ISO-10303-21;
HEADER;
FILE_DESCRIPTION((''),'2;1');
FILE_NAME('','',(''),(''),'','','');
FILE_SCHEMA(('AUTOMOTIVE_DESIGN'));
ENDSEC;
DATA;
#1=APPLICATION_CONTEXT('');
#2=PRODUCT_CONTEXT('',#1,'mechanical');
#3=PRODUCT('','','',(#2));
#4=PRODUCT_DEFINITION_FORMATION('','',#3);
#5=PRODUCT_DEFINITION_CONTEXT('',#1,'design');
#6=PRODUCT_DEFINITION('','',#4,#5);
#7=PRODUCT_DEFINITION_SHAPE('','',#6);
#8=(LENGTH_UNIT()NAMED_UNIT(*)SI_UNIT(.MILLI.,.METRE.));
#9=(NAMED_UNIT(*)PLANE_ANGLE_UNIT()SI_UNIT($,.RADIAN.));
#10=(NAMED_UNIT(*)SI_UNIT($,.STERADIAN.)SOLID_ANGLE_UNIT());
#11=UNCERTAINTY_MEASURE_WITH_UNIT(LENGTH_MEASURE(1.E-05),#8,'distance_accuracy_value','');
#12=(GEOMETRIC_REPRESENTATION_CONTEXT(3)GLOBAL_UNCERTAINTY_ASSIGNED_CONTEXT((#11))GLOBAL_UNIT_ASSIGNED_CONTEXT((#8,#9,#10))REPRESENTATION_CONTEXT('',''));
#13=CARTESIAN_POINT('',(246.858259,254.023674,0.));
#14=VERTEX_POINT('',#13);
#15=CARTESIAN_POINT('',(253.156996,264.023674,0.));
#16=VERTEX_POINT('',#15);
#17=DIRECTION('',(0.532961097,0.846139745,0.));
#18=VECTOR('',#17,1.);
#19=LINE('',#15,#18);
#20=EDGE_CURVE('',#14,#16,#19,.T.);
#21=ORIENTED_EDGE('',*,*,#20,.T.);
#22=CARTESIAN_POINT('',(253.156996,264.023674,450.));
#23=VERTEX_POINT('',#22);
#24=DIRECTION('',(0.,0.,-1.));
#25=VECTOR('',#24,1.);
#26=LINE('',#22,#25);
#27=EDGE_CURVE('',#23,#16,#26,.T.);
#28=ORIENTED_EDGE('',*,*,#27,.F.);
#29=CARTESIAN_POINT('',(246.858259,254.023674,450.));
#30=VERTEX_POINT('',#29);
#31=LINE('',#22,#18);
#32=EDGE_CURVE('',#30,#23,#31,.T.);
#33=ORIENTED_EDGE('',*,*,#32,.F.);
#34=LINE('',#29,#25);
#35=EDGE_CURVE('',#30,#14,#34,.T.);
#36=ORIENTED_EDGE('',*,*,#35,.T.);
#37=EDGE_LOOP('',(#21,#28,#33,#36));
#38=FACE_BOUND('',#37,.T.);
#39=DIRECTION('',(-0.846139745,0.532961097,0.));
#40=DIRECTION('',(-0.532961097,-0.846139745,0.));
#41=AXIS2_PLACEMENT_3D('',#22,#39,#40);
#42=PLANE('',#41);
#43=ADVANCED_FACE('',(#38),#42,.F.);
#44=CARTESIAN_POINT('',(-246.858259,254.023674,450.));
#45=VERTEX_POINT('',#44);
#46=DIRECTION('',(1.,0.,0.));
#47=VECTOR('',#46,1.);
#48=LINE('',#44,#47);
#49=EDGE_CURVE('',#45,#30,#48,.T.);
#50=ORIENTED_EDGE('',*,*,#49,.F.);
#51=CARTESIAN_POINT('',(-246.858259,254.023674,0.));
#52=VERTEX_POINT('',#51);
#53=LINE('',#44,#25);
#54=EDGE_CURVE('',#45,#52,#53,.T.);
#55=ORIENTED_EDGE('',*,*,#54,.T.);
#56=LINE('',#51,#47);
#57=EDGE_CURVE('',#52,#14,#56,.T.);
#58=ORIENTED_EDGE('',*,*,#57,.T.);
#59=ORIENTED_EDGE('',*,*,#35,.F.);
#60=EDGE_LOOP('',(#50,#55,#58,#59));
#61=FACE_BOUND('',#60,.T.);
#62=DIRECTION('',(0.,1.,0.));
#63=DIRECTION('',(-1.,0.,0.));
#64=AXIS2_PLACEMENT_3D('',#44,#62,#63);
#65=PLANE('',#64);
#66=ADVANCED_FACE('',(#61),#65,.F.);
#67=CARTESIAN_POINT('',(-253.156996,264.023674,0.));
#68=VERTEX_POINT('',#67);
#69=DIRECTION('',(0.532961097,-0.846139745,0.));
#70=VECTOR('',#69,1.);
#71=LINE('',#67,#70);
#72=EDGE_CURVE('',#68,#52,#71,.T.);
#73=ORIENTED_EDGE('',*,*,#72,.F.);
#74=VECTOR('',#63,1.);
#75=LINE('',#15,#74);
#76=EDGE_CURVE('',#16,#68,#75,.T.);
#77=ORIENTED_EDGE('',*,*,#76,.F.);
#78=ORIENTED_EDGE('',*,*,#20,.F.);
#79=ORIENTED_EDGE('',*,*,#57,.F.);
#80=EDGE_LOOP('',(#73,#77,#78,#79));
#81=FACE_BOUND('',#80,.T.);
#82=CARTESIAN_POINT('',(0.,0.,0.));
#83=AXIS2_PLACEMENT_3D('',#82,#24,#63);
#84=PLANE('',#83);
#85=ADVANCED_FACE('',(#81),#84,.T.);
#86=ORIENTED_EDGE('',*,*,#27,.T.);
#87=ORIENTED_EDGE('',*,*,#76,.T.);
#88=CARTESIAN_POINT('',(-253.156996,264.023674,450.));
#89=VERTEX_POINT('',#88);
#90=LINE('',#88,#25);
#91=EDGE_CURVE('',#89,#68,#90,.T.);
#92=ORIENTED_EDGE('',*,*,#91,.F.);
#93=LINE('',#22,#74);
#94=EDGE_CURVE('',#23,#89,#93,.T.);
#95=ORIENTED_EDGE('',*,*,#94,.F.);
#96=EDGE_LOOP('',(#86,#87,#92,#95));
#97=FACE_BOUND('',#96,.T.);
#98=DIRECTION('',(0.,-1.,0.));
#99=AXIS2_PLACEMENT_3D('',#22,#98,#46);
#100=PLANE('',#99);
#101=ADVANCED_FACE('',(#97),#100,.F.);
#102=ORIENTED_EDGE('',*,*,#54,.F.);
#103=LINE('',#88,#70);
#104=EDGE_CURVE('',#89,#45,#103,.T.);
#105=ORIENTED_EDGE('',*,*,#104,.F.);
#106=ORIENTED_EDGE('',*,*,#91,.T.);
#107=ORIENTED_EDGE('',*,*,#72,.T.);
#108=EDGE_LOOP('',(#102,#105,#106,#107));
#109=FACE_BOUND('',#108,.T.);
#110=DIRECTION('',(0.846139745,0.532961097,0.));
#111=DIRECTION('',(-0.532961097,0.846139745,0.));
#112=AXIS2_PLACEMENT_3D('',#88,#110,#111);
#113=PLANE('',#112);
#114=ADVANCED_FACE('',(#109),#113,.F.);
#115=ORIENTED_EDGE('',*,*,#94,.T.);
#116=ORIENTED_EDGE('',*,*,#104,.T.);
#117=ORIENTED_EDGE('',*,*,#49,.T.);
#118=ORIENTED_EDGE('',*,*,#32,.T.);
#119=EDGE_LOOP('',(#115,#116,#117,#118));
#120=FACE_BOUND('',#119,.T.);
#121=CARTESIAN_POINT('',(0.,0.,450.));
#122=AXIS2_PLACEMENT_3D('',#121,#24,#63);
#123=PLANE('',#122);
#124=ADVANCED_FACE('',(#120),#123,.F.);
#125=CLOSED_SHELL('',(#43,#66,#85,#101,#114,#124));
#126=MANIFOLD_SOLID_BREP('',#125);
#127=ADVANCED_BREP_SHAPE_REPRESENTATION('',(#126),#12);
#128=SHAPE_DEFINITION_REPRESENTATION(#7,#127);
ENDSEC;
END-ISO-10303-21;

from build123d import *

# Parameters (mm, degrees)
AUFSATZ_LINEAR_AUSTRAGEN1_DEPTH = 450


with BuildPart() as part:
    # Skizze1 → Aufsatz-Linear austragen1 (new body)
    with BuildSketch(Plane.XY):
        Polygon((-253.156995608, 264.02367356), (-246.858259494, 254.02367356), (246.858259494, 254.02367356), (253.156995608, 264.02367356), align=None)
    extrude(amount=AUFSATZ_LINEAR_AUSTRAGEN1_DEPTH)


solid = part.part
